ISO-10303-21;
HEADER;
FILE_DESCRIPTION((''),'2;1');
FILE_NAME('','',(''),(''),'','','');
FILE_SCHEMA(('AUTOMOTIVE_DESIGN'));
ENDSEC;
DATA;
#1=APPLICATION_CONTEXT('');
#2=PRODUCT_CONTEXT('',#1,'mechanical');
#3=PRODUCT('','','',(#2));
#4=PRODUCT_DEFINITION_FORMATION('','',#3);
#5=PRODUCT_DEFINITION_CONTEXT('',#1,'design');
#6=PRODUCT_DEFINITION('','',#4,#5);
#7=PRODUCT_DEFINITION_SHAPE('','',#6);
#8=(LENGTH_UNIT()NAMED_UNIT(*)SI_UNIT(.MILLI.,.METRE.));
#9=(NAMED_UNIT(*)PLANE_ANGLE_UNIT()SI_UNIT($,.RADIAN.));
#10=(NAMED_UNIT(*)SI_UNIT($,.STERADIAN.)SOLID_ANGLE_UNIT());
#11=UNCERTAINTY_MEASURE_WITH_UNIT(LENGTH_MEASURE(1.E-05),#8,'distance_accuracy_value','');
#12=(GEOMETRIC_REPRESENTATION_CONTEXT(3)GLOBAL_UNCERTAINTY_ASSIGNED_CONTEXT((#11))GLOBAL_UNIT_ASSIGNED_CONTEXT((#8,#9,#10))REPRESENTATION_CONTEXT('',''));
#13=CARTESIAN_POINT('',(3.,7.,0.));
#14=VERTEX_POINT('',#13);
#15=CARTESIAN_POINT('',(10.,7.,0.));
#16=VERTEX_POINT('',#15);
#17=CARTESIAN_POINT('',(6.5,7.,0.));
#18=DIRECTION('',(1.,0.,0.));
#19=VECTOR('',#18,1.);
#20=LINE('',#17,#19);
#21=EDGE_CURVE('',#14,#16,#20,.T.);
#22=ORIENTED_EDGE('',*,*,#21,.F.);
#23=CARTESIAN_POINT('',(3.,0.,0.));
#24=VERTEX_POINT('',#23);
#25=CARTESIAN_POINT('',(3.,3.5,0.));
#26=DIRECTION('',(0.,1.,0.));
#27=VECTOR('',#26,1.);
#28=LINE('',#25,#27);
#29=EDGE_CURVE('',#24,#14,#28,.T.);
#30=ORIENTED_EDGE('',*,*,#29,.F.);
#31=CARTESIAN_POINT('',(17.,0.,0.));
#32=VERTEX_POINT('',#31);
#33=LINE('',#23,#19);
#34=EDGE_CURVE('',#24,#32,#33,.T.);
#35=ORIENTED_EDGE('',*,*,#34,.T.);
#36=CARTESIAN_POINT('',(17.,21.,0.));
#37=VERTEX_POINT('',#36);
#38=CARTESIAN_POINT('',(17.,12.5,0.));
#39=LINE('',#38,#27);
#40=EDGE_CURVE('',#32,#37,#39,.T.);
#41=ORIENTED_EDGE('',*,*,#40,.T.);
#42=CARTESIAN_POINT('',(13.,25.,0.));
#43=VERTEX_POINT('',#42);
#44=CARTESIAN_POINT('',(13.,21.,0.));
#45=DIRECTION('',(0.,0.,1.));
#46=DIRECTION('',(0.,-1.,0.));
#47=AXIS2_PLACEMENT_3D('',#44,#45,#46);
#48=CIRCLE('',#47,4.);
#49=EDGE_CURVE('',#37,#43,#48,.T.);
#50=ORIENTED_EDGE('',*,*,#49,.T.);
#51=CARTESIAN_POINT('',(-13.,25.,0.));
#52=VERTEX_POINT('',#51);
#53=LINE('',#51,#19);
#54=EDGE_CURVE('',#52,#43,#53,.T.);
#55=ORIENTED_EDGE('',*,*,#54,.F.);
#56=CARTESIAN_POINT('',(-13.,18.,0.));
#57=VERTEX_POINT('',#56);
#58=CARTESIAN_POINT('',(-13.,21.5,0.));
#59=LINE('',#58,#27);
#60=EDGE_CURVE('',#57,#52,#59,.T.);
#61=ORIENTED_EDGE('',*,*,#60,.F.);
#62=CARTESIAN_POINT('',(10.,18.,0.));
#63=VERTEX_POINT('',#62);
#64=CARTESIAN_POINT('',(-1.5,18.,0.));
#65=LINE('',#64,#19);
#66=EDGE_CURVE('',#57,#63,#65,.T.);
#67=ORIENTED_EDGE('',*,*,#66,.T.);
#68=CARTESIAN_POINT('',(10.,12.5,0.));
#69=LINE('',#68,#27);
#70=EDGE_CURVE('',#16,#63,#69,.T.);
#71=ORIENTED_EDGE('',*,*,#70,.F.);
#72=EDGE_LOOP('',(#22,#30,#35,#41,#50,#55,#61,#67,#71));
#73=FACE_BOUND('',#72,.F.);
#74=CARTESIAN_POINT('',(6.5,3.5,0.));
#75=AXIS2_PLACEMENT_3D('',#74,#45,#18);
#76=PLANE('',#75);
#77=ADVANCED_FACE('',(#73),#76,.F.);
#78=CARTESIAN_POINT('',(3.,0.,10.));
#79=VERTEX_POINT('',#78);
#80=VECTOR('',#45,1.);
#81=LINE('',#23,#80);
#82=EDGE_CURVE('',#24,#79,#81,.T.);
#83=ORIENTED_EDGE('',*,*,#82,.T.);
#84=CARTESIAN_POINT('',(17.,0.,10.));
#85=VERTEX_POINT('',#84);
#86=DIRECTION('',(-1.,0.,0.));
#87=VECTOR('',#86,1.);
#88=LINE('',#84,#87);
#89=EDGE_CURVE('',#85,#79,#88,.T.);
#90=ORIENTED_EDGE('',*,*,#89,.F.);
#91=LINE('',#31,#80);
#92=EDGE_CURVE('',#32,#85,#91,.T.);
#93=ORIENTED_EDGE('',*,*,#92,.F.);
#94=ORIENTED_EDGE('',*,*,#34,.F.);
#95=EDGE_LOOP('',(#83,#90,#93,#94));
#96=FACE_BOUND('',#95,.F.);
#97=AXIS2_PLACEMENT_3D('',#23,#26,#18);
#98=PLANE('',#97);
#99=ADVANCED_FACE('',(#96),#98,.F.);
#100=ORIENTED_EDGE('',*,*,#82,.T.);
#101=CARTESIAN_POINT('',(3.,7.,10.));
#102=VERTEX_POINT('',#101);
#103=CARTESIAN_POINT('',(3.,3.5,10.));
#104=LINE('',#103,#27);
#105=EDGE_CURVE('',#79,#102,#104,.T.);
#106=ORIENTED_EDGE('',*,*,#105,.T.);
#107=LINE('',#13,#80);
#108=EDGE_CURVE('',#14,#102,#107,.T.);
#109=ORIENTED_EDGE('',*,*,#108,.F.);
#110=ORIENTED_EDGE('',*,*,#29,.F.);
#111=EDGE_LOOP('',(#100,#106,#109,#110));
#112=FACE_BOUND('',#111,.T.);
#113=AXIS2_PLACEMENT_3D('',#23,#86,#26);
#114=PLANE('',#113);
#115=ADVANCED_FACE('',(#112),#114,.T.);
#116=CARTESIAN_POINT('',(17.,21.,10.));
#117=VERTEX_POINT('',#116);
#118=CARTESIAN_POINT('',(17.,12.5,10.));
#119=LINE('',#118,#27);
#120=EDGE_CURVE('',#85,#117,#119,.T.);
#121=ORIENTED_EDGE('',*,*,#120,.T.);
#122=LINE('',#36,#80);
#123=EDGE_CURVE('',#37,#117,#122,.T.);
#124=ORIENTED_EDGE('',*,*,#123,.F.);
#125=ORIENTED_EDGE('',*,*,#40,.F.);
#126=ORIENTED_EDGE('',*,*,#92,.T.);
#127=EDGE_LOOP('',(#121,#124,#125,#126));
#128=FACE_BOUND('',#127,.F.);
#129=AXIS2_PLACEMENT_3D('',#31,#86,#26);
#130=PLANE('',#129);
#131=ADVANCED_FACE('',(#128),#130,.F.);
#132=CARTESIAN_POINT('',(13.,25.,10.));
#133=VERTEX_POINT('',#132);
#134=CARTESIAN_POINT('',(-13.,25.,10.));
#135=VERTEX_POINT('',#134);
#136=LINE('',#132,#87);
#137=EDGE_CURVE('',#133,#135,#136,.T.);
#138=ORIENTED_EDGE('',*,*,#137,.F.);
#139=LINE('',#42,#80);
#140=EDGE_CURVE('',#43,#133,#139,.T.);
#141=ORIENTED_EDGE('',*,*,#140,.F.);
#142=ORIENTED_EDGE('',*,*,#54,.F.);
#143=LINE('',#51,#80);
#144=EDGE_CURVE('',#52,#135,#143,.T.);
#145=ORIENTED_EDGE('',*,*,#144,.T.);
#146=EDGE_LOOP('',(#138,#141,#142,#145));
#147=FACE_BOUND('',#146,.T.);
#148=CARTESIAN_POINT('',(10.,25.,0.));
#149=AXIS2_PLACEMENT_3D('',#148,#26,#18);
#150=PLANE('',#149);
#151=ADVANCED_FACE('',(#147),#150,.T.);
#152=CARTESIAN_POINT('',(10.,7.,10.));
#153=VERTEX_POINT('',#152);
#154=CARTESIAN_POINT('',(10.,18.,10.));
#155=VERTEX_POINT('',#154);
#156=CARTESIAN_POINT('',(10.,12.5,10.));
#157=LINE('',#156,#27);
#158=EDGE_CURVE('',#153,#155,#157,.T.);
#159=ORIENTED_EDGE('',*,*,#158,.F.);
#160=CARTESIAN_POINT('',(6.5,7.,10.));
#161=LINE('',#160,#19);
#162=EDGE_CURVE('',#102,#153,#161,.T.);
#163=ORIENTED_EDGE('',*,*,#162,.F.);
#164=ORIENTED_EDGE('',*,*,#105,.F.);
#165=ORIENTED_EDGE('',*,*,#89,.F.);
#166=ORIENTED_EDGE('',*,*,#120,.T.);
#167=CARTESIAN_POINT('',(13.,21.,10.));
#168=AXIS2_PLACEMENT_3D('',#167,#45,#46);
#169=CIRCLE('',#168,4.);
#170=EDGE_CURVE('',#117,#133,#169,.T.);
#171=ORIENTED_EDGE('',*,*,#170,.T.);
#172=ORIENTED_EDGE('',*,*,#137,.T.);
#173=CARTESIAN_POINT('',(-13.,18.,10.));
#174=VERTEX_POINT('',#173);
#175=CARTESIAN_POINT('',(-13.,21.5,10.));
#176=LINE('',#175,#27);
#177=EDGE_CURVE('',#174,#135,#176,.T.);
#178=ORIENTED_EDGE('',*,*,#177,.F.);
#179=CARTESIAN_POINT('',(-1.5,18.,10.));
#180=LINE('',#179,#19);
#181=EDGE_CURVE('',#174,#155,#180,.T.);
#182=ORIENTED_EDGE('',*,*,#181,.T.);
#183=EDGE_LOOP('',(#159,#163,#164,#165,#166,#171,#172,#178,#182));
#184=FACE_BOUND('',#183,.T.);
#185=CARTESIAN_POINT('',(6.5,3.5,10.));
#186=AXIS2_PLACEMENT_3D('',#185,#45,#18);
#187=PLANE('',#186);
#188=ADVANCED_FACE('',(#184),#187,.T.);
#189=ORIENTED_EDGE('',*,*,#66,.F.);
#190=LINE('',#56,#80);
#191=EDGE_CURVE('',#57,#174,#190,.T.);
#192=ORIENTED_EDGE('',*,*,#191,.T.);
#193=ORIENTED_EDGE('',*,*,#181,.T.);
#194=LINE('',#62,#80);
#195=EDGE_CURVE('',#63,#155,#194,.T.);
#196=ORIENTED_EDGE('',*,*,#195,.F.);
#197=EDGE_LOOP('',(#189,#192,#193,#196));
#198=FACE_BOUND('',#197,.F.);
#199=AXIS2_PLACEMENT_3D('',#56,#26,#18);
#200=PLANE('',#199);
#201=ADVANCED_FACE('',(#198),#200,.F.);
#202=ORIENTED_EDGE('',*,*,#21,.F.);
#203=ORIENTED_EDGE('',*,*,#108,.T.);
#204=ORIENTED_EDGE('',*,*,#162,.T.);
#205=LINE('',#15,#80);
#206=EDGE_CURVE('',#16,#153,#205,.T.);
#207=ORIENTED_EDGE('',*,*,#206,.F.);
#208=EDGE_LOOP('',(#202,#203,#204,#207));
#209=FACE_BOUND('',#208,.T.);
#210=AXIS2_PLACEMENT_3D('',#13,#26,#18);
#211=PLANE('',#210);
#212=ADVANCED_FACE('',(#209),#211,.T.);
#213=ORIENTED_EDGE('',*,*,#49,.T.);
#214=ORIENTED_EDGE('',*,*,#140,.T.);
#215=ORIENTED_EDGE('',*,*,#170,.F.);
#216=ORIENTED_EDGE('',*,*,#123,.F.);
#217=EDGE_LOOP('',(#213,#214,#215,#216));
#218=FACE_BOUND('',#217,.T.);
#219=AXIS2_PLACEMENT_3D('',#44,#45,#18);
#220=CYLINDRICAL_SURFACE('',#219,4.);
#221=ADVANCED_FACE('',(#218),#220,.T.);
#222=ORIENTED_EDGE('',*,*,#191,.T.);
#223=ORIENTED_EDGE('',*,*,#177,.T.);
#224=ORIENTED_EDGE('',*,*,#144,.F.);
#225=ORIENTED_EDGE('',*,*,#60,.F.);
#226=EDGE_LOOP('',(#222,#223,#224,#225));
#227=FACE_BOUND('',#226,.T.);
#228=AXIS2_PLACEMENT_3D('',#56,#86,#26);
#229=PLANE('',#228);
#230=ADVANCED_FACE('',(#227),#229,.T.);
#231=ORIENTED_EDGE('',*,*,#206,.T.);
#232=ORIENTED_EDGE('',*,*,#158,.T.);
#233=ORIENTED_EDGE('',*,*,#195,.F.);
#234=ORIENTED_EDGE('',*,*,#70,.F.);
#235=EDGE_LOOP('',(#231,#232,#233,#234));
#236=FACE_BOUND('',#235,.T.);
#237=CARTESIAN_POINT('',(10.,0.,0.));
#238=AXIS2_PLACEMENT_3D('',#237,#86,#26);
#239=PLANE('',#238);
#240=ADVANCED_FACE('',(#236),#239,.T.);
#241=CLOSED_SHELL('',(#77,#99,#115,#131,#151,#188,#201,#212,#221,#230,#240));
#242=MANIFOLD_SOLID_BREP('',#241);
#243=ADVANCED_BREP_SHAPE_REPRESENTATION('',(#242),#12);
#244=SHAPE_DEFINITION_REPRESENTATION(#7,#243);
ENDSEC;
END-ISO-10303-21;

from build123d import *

# Parameters (mm, degrees)
BOX001_W     = 7
BOX001_H     = 25
BOX001_DEPTH = 10
FILLET_R     = 4
BOX_W        = 7
BOX_H        = 7
BOX_DEPTH    = 10
BOX002_W     = 23
BOX002_H     = 7
BOX002_DEPTH = 10


with BuildPart() as fillet_body:
    # Box001 → Box001 (new body)
    with BuildSketch(Plane(origin=(10, 0, 0), x_dir=(1, 0, 0), z_dir=(0, 0, 1))):
        with Locations((3.5, 12.5)):
            Rectangle(BOX001_W, BOX001_H)
    extrude(amount=BOX001_DEPTH)

    # Fillet
    fillet_edges = [fillet_body.edges().sort_by_distance(p)[0] for p in [
        (17, 25, 5),
    ]]
    fillet(fillet_edges, radius=FILLET_R)


with BuildPart() as cubo:
    # Box → Box (new body)
    with BuildSketch(Plane(origin=(3, 0, 0), x_dir=(1, 0, 0), z_dir=(0, 0, 1))):
        with Locations((3.5, 3.5)):
            Rectangle(BOX_W, BOX_H)
    extrude(amount=BOX_DEPTH)


with BuildPart() as fusion:
    # Box002 → Box002 (new body)
    with BuildSketch(Plane(origin=(-13, 18, 0), x_dir=(1, 0, 0), z_dir=(0, 0, 1))):
        with Locations((11.5, 3.5)):
            Rectangle(BOX002_W, BOX002_H)
    extrude(amount=BOX002_DEPTH)

    # Fusion: union Fillet body, Cubo
    add(fillet_body.part)
    add(cubo.part)


solid = fusion.part
